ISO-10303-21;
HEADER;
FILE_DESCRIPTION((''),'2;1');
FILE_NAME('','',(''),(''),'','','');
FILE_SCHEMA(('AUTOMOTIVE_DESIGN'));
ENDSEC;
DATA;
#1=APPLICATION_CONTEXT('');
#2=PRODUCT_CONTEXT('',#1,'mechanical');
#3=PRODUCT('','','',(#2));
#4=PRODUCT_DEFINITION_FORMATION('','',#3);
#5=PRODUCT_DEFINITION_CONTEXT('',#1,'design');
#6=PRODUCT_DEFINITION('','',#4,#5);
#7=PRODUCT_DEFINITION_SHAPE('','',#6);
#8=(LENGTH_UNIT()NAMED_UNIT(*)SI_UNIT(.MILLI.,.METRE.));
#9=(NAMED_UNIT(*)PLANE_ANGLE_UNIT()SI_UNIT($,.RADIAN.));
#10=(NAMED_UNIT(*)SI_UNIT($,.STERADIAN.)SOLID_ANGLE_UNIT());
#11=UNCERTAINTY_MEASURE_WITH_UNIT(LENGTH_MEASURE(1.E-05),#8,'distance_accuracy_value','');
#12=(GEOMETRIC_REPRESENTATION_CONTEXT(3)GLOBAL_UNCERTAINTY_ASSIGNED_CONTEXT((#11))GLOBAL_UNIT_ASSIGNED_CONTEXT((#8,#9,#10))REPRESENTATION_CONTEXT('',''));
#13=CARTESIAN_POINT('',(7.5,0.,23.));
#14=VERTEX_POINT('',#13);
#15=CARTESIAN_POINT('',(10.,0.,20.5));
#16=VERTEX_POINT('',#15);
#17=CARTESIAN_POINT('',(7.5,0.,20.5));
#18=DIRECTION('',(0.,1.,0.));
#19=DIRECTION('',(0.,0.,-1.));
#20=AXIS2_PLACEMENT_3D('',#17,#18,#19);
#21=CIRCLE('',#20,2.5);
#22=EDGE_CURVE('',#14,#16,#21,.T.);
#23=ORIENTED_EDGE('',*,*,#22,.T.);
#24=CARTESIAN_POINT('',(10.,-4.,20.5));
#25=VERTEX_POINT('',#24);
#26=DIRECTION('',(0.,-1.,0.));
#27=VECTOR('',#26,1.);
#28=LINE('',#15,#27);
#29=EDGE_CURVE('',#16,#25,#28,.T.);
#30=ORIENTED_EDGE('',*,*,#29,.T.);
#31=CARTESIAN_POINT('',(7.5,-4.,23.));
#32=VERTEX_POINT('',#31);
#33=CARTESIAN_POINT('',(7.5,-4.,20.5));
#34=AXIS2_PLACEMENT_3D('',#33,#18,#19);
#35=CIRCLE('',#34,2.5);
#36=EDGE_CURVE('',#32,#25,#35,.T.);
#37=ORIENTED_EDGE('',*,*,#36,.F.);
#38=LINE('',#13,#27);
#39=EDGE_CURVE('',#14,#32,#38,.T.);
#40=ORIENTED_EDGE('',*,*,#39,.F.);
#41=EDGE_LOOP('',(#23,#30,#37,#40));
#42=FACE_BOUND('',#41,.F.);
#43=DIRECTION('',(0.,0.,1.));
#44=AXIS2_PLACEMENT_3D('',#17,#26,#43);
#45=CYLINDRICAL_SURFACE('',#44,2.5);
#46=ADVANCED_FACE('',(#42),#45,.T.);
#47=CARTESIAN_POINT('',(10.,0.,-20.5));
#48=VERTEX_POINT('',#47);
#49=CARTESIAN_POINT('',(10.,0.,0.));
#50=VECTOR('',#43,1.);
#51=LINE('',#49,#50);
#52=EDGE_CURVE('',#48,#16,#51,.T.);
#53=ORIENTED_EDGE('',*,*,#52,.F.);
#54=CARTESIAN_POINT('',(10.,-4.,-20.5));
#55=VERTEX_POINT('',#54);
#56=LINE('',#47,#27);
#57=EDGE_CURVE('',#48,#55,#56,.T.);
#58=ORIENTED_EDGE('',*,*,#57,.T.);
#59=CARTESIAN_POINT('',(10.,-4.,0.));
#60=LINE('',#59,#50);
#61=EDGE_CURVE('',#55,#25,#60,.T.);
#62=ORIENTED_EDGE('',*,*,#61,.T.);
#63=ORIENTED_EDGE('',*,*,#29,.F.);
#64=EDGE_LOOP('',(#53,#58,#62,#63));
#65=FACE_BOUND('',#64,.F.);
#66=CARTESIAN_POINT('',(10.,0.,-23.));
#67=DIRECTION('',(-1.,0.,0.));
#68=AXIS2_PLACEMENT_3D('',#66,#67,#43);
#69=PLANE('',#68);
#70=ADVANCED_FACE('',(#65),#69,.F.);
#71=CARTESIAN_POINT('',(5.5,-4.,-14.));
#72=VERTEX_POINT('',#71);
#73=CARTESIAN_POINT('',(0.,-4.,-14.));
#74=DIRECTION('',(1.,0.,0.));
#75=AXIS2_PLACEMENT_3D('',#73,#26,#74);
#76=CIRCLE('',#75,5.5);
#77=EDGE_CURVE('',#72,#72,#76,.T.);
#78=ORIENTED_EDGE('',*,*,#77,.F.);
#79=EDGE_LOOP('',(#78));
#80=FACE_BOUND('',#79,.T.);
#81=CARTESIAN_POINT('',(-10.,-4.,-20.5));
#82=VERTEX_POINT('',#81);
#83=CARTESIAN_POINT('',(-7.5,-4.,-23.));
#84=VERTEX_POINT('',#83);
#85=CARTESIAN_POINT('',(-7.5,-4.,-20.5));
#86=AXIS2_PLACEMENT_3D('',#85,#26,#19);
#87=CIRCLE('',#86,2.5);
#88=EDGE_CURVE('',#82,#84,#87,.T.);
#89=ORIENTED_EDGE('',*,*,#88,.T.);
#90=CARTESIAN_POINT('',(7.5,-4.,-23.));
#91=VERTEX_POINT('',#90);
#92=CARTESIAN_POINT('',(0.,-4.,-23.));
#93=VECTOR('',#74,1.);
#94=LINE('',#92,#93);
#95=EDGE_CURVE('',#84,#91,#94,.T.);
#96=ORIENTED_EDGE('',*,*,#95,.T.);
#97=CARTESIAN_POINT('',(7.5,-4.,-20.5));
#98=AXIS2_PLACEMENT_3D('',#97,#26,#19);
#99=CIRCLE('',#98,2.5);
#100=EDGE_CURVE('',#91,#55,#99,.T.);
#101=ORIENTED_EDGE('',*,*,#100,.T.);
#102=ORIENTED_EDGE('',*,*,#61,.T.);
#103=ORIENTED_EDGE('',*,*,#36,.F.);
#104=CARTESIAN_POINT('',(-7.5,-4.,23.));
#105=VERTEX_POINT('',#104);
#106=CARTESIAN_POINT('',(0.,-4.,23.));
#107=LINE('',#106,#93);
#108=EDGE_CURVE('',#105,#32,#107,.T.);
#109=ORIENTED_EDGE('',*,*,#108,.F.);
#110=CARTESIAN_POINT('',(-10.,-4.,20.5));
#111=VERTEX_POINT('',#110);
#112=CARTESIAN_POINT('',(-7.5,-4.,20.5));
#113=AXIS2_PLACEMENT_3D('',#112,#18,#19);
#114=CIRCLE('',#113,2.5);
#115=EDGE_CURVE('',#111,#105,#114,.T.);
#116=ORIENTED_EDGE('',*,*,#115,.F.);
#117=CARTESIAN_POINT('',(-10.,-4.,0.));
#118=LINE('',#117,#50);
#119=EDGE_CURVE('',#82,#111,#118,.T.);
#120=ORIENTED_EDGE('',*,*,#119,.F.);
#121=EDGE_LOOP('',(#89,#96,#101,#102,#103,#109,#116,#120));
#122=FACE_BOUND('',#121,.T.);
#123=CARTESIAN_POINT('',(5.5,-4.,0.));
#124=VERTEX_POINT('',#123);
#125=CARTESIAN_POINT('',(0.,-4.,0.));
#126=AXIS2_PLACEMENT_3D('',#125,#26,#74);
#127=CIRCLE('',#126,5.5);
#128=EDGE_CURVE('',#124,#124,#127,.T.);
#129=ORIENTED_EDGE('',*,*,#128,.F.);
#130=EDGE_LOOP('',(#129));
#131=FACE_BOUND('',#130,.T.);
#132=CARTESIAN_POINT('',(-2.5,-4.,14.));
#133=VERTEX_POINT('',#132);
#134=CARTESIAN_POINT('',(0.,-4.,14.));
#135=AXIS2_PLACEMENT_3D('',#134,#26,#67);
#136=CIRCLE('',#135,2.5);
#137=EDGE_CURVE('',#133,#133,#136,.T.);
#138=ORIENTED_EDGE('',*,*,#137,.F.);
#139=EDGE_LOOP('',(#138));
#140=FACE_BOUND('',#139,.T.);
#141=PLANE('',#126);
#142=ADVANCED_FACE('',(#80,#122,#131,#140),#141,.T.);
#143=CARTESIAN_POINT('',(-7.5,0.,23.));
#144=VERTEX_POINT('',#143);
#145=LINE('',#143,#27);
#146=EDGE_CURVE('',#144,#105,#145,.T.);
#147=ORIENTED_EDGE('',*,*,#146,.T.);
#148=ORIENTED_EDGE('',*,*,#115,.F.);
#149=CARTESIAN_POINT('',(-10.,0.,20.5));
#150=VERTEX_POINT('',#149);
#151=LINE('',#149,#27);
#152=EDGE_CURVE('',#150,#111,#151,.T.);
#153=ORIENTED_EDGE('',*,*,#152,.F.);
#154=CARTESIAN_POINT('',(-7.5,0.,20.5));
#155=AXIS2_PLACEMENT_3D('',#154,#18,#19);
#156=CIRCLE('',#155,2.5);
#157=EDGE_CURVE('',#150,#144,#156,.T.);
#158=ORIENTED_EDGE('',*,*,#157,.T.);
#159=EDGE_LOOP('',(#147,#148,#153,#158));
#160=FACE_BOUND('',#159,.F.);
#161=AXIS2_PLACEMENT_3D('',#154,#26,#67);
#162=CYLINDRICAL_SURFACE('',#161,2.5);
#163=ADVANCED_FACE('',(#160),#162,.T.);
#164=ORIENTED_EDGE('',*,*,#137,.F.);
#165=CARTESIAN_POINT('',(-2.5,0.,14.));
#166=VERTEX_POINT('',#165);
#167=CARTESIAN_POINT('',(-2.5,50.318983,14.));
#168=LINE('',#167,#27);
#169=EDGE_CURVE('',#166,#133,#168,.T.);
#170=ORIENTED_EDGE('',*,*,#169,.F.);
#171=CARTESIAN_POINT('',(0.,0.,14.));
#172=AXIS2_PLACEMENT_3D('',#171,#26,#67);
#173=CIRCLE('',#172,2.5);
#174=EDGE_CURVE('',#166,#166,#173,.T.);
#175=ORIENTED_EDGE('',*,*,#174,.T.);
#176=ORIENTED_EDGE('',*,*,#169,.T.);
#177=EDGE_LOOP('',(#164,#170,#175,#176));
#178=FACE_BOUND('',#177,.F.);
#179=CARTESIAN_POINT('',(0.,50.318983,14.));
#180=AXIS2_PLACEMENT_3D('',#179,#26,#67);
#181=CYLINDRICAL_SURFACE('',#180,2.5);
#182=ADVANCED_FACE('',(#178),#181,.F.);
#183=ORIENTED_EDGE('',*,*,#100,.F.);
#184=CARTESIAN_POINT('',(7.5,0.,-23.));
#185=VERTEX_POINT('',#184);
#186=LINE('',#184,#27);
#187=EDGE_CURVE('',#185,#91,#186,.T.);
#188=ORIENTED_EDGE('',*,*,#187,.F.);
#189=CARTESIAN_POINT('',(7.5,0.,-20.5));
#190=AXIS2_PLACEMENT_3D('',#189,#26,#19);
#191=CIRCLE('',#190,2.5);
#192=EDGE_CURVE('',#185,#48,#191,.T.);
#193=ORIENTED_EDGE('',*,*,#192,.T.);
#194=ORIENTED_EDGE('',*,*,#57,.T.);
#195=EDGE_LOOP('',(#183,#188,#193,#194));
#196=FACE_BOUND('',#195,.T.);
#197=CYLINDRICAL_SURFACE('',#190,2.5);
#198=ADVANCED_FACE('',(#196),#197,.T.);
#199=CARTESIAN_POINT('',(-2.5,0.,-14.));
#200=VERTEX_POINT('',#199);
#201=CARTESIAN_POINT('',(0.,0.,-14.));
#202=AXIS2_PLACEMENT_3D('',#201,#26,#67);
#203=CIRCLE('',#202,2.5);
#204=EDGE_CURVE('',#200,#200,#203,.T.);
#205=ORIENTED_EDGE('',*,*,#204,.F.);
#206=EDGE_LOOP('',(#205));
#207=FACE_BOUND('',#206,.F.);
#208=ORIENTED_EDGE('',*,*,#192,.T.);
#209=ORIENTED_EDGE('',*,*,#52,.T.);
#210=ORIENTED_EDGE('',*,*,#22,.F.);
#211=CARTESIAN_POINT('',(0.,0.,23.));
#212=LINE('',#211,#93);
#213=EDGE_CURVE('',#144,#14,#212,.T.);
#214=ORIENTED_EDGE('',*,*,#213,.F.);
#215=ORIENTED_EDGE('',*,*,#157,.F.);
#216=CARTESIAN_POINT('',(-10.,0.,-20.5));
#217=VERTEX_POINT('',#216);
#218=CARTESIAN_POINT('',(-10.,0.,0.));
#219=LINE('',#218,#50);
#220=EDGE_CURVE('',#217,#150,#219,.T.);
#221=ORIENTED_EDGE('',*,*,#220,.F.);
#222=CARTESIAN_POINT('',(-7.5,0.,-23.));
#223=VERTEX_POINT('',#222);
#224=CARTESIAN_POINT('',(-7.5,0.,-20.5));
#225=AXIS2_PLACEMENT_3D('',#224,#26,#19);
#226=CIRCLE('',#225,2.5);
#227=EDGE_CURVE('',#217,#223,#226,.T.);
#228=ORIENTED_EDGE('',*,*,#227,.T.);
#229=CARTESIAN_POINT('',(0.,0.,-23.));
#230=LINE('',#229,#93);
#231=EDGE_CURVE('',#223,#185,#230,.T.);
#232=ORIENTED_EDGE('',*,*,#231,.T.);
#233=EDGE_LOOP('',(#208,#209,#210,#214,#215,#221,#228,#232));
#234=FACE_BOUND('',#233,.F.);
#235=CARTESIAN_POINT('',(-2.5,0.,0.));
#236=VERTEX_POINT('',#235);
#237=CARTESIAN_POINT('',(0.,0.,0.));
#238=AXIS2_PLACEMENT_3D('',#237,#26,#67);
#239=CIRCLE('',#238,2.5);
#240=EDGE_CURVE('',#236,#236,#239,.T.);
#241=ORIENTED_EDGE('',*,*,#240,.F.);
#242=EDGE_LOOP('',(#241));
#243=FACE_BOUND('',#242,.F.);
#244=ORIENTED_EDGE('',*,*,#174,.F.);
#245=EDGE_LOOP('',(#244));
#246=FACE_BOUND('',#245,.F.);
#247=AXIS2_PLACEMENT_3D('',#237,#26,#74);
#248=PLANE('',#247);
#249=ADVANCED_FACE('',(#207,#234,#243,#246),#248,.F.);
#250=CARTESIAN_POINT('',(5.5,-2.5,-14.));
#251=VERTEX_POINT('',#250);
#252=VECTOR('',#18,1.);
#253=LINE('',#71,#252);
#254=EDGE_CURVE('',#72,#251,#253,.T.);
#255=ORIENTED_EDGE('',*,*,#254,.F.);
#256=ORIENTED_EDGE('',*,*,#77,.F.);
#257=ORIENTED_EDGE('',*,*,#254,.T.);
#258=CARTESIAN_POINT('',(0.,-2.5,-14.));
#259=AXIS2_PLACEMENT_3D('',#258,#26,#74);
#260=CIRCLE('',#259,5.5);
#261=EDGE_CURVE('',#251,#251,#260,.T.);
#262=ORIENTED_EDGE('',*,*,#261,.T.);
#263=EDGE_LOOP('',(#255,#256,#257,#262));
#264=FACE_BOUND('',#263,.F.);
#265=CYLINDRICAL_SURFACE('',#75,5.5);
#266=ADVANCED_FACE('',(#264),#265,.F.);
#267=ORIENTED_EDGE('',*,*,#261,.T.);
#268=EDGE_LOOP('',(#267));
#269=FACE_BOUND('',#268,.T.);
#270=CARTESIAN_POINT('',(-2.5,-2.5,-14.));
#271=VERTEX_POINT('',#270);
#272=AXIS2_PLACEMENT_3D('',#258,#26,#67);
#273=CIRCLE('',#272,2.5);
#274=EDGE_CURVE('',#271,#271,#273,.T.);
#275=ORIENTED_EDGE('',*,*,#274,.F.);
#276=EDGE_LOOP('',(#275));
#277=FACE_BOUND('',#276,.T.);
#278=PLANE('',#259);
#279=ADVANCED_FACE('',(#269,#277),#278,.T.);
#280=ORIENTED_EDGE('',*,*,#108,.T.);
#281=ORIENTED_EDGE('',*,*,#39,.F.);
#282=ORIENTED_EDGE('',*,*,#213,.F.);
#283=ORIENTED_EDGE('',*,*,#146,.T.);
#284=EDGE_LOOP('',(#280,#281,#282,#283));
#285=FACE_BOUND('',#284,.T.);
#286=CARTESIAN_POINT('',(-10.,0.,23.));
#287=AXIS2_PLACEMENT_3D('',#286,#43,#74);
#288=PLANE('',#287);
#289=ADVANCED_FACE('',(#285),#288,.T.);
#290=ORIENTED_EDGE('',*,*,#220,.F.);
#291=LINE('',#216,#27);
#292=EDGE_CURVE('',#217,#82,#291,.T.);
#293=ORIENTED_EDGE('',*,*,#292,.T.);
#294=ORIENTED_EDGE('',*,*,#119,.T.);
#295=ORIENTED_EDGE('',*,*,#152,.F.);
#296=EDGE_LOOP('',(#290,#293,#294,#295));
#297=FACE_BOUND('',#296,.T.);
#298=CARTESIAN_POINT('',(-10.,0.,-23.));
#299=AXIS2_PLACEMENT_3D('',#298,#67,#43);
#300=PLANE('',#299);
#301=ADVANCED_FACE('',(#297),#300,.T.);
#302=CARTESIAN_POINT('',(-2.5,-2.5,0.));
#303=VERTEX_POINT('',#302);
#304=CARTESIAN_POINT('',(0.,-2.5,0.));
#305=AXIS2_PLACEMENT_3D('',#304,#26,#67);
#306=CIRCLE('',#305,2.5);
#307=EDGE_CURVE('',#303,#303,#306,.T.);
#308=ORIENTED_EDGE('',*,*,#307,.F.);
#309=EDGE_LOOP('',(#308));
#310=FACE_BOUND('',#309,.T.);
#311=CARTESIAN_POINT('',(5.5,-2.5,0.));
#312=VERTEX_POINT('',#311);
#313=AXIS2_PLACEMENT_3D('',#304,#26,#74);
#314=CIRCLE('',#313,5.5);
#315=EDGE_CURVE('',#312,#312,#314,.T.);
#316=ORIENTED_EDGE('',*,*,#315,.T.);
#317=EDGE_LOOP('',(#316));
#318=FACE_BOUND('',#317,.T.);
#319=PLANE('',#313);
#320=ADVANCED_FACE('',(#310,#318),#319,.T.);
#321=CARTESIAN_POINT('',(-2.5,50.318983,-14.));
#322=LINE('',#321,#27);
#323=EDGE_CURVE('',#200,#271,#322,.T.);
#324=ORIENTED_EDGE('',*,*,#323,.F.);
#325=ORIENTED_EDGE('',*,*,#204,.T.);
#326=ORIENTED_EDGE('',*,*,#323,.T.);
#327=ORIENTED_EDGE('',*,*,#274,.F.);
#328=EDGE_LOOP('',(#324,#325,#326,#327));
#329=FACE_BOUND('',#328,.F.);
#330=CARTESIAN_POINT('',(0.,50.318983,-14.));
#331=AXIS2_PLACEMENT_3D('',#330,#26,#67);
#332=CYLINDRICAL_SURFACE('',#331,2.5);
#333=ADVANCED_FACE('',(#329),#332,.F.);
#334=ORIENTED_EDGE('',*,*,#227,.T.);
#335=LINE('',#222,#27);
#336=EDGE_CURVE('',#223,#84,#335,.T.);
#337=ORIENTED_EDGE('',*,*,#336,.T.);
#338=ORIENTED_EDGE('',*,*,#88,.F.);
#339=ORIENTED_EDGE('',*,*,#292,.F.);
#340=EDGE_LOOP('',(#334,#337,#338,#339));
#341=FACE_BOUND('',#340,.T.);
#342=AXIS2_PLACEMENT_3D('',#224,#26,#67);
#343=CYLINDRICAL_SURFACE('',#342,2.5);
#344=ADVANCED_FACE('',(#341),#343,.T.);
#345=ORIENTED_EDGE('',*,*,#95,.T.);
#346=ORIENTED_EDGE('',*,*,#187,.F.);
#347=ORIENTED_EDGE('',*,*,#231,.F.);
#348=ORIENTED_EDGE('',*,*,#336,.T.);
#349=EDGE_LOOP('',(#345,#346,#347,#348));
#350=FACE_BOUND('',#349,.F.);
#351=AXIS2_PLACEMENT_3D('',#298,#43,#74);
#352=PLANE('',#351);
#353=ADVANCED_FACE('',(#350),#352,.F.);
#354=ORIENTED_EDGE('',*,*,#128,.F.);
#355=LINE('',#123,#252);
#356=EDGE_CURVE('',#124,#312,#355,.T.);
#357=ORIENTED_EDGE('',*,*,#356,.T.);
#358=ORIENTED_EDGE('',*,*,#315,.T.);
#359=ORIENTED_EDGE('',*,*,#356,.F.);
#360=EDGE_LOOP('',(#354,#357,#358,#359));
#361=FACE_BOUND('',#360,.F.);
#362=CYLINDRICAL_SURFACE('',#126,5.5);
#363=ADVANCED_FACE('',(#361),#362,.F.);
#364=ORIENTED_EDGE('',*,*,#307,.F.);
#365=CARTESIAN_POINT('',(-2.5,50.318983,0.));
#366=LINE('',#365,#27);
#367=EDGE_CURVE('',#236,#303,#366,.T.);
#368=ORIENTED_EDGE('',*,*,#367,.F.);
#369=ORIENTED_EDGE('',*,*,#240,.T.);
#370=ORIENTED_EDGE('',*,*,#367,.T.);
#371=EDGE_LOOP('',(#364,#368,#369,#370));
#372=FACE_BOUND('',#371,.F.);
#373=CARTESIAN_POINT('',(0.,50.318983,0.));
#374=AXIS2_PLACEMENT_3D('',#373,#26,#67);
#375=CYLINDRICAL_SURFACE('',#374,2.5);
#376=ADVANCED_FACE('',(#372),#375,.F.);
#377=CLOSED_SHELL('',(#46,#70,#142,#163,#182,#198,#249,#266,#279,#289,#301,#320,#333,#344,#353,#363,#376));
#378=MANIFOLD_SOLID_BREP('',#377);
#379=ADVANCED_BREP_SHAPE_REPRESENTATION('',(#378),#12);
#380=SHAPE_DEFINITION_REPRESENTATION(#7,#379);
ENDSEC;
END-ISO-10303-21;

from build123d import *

# Parameters (mm, degrees)
F0_W     = 20
F0_H     = 46
F1_DEPTH = 4
F2_D     = 5
F3_R     = 5.5
F4_DEPTH = 1.5
F5_R     = 2.5


with BuildPart() as f1:
    # F0 (on Front) → F1 (new body)
    with BuildSketch(Plane.XZ):
        Rectangle(F0_W, F0_H)
    extrude(amount=F1_DEPTH)

    # F2 (through all)
    with Locations(Plane(origin=(0, 0, 0), x_dir=(1, 0, 0), z_dir=(0, 1, 0))):
        with Locations((0, 14), (0, 0), (0, -14)):
            Hole(F2_D / 2)

    # F3 (on face) → F4 (cut)
    with BuildSketch(Plane.XZ.offset(4)):
        Circle(F3_R)
        with Locations((0, -14)):
            Circle(F3_R)
    extrude(amount=-F4_DEPTH, mode=Mode.SUBTRACT)

    # F5
    f5_edges = [f1.edges().sort_by_distance(p)[0] for p in [
        (10, -2, 23),
        (-10, -2, 23),
        (10, -2, -23),
        (-10, -2, -23),
    ]]
    fillet(f5_edges, radius=F5_R)


solid = f1.part
